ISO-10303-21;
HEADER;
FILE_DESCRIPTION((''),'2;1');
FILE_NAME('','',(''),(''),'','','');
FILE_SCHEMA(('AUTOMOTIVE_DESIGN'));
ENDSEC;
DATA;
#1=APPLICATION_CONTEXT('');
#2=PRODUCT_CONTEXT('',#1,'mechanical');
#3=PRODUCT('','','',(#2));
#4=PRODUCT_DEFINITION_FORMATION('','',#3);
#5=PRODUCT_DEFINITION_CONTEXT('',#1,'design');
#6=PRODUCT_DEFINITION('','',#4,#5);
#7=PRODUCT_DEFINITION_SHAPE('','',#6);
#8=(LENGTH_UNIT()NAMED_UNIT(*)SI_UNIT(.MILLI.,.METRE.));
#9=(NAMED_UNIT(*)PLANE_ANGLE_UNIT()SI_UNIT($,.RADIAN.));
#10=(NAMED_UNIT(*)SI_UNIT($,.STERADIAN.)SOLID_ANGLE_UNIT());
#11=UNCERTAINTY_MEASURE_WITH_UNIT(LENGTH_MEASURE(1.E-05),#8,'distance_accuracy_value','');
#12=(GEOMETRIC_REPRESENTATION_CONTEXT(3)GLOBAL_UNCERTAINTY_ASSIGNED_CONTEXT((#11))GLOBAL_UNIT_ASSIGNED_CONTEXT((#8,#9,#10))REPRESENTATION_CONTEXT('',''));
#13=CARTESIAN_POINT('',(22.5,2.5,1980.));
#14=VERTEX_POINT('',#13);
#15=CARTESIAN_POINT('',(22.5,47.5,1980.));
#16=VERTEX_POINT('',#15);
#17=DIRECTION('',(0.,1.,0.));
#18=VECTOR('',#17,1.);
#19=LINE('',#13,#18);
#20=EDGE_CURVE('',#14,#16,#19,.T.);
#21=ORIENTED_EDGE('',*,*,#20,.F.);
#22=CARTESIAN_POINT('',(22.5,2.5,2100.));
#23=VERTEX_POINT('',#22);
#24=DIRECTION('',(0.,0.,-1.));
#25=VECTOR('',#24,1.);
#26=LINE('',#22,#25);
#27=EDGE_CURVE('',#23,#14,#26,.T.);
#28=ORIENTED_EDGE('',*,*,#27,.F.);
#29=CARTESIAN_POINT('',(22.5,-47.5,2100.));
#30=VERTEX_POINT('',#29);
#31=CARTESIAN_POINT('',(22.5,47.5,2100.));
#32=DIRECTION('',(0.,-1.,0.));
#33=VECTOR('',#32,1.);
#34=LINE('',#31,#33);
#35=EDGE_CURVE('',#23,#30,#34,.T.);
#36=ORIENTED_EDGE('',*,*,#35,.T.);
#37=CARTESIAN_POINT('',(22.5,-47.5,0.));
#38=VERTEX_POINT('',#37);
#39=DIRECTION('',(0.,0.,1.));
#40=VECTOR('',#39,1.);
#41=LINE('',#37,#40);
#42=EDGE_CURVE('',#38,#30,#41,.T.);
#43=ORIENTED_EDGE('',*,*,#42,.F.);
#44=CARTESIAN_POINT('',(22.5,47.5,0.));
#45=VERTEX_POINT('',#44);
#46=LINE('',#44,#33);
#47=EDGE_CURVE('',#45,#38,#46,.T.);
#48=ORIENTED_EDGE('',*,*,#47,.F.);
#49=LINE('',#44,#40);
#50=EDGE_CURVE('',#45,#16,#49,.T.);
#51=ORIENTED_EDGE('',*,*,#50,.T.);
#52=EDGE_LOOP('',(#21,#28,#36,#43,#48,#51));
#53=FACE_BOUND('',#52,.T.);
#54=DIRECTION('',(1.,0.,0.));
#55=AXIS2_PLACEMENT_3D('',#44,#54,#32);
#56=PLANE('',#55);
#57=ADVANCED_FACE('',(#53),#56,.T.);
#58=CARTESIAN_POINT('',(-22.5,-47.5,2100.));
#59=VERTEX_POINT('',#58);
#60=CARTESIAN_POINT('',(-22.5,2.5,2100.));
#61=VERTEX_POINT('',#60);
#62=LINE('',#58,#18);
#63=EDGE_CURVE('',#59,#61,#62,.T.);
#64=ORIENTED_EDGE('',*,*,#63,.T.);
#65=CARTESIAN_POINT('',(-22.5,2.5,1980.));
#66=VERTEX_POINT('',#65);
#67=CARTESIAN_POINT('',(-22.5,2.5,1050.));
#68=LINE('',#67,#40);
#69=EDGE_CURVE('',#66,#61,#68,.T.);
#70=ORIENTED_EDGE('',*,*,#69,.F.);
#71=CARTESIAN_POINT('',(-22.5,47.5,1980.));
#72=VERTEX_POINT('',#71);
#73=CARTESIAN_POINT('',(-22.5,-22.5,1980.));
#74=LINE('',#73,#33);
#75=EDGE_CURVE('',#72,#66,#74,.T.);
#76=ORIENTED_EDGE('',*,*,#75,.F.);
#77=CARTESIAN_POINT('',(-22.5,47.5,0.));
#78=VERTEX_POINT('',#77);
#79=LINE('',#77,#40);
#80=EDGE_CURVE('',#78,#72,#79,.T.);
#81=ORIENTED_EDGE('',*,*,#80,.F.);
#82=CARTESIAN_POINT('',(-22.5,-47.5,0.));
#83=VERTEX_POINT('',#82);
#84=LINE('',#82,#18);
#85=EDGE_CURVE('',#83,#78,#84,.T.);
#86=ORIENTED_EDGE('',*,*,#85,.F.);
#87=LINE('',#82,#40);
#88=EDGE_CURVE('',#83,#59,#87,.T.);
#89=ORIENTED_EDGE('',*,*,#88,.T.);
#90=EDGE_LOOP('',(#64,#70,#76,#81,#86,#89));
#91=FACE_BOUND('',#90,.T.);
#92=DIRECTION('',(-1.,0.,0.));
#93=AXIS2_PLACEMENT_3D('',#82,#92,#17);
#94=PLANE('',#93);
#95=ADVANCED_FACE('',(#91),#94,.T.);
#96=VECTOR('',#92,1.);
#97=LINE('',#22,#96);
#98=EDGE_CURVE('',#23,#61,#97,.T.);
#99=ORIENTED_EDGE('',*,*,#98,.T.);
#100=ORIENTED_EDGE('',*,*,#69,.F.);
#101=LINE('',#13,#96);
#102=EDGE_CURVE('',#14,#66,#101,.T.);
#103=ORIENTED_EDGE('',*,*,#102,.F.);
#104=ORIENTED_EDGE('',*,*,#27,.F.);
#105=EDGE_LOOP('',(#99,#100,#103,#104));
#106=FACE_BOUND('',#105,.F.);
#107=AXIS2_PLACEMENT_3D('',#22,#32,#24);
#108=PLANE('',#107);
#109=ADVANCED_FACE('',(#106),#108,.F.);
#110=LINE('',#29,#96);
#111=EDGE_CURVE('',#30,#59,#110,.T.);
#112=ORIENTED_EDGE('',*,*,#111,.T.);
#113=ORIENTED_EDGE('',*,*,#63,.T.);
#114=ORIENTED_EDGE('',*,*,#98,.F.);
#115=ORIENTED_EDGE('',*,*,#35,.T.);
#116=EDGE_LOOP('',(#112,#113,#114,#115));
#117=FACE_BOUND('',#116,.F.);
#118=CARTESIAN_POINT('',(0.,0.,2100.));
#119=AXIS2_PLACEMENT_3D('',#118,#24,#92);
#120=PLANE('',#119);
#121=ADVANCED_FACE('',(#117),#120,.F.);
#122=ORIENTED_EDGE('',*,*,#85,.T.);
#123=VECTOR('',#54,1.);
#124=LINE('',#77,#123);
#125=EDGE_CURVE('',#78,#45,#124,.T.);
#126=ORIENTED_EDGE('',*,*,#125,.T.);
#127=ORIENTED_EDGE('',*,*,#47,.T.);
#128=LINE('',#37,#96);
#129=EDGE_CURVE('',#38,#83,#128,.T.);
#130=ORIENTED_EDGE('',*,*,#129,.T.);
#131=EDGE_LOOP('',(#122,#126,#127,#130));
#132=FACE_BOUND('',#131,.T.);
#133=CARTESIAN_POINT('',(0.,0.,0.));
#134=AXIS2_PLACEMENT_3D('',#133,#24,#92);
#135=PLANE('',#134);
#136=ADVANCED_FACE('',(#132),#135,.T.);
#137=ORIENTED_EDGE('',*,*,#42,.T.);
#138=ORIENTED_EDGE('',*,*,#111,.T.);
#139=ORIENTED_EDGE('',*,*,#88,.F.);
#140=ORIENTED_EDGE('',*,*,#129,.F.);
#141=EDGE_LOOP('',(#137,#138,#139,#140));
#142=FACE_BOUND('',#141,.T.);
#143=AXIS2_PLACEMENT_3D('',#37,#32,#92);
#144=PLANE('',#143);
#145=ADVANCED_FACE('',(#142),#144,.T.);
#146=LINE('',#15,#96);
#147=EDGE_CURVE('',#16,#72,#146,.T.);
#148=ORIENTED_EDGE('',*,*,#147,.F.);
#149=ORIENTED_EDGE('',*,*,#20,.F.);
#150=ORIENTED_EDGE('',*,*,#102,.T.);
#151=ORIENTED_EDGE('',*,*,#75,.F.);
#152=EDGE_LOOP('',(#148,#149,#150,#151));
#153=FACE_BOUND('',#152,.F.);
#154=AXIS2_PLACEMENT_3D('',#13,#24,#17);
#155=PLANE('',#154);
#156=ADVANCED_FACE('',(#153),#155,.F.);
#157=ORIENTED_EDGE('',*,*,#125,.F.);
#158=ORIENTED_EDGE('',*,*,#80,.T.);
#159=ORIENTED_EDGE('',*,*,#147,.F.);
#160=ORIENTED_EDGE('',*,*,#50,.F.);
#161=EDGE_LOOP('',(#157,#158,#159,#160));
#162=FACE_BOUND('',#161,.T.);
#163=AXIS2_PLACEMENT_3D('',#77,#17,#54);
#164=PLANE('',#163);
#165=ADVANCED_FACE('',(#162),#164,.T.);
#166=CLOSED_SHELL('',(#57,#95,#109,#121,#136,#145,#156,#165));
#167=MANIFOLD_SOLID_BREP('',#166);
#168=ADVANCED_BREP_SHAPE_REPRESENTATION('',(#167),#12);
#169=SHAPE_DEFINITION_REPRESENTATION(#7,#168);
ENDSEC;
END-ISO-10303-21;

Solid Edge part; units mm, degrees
sketch "Sketch1" plane through (0, 0, 0) normal (0, 0, -1) x (-1, 0, 0)
  line L0 (-22.5, -47.5) -> (22.5, -47.5)
  line L1 (22.5, -47.5) -> (22.5, 47.5)
  line L2 (22.5, 47.5) -> (-22.5, 47.5)
  line L3 (-22.5, 47.5) -> (-22.5, -47.5)
extrude "Protrusion1" add sketch "Sketch1" against normal blind 2100
sketch "Sketch2" plane through (22.5, 0, 1050) normal (1, 0, 0) x (0, 0, 1)
  line L0 (1050, -47.5) -> (1050, -2.5)
  line L1 (1050, -2.5) -> (930, -2.5)
  line L2 (930, -2.5) -> (930, -47.5)
  line L3 (930, -47.5) -> (1050, -47.5)
extrude "ExtrudedCutout_1" cut sketch "Sketch2" against normal blind 566.4711
properties material "Wood, Pine"
